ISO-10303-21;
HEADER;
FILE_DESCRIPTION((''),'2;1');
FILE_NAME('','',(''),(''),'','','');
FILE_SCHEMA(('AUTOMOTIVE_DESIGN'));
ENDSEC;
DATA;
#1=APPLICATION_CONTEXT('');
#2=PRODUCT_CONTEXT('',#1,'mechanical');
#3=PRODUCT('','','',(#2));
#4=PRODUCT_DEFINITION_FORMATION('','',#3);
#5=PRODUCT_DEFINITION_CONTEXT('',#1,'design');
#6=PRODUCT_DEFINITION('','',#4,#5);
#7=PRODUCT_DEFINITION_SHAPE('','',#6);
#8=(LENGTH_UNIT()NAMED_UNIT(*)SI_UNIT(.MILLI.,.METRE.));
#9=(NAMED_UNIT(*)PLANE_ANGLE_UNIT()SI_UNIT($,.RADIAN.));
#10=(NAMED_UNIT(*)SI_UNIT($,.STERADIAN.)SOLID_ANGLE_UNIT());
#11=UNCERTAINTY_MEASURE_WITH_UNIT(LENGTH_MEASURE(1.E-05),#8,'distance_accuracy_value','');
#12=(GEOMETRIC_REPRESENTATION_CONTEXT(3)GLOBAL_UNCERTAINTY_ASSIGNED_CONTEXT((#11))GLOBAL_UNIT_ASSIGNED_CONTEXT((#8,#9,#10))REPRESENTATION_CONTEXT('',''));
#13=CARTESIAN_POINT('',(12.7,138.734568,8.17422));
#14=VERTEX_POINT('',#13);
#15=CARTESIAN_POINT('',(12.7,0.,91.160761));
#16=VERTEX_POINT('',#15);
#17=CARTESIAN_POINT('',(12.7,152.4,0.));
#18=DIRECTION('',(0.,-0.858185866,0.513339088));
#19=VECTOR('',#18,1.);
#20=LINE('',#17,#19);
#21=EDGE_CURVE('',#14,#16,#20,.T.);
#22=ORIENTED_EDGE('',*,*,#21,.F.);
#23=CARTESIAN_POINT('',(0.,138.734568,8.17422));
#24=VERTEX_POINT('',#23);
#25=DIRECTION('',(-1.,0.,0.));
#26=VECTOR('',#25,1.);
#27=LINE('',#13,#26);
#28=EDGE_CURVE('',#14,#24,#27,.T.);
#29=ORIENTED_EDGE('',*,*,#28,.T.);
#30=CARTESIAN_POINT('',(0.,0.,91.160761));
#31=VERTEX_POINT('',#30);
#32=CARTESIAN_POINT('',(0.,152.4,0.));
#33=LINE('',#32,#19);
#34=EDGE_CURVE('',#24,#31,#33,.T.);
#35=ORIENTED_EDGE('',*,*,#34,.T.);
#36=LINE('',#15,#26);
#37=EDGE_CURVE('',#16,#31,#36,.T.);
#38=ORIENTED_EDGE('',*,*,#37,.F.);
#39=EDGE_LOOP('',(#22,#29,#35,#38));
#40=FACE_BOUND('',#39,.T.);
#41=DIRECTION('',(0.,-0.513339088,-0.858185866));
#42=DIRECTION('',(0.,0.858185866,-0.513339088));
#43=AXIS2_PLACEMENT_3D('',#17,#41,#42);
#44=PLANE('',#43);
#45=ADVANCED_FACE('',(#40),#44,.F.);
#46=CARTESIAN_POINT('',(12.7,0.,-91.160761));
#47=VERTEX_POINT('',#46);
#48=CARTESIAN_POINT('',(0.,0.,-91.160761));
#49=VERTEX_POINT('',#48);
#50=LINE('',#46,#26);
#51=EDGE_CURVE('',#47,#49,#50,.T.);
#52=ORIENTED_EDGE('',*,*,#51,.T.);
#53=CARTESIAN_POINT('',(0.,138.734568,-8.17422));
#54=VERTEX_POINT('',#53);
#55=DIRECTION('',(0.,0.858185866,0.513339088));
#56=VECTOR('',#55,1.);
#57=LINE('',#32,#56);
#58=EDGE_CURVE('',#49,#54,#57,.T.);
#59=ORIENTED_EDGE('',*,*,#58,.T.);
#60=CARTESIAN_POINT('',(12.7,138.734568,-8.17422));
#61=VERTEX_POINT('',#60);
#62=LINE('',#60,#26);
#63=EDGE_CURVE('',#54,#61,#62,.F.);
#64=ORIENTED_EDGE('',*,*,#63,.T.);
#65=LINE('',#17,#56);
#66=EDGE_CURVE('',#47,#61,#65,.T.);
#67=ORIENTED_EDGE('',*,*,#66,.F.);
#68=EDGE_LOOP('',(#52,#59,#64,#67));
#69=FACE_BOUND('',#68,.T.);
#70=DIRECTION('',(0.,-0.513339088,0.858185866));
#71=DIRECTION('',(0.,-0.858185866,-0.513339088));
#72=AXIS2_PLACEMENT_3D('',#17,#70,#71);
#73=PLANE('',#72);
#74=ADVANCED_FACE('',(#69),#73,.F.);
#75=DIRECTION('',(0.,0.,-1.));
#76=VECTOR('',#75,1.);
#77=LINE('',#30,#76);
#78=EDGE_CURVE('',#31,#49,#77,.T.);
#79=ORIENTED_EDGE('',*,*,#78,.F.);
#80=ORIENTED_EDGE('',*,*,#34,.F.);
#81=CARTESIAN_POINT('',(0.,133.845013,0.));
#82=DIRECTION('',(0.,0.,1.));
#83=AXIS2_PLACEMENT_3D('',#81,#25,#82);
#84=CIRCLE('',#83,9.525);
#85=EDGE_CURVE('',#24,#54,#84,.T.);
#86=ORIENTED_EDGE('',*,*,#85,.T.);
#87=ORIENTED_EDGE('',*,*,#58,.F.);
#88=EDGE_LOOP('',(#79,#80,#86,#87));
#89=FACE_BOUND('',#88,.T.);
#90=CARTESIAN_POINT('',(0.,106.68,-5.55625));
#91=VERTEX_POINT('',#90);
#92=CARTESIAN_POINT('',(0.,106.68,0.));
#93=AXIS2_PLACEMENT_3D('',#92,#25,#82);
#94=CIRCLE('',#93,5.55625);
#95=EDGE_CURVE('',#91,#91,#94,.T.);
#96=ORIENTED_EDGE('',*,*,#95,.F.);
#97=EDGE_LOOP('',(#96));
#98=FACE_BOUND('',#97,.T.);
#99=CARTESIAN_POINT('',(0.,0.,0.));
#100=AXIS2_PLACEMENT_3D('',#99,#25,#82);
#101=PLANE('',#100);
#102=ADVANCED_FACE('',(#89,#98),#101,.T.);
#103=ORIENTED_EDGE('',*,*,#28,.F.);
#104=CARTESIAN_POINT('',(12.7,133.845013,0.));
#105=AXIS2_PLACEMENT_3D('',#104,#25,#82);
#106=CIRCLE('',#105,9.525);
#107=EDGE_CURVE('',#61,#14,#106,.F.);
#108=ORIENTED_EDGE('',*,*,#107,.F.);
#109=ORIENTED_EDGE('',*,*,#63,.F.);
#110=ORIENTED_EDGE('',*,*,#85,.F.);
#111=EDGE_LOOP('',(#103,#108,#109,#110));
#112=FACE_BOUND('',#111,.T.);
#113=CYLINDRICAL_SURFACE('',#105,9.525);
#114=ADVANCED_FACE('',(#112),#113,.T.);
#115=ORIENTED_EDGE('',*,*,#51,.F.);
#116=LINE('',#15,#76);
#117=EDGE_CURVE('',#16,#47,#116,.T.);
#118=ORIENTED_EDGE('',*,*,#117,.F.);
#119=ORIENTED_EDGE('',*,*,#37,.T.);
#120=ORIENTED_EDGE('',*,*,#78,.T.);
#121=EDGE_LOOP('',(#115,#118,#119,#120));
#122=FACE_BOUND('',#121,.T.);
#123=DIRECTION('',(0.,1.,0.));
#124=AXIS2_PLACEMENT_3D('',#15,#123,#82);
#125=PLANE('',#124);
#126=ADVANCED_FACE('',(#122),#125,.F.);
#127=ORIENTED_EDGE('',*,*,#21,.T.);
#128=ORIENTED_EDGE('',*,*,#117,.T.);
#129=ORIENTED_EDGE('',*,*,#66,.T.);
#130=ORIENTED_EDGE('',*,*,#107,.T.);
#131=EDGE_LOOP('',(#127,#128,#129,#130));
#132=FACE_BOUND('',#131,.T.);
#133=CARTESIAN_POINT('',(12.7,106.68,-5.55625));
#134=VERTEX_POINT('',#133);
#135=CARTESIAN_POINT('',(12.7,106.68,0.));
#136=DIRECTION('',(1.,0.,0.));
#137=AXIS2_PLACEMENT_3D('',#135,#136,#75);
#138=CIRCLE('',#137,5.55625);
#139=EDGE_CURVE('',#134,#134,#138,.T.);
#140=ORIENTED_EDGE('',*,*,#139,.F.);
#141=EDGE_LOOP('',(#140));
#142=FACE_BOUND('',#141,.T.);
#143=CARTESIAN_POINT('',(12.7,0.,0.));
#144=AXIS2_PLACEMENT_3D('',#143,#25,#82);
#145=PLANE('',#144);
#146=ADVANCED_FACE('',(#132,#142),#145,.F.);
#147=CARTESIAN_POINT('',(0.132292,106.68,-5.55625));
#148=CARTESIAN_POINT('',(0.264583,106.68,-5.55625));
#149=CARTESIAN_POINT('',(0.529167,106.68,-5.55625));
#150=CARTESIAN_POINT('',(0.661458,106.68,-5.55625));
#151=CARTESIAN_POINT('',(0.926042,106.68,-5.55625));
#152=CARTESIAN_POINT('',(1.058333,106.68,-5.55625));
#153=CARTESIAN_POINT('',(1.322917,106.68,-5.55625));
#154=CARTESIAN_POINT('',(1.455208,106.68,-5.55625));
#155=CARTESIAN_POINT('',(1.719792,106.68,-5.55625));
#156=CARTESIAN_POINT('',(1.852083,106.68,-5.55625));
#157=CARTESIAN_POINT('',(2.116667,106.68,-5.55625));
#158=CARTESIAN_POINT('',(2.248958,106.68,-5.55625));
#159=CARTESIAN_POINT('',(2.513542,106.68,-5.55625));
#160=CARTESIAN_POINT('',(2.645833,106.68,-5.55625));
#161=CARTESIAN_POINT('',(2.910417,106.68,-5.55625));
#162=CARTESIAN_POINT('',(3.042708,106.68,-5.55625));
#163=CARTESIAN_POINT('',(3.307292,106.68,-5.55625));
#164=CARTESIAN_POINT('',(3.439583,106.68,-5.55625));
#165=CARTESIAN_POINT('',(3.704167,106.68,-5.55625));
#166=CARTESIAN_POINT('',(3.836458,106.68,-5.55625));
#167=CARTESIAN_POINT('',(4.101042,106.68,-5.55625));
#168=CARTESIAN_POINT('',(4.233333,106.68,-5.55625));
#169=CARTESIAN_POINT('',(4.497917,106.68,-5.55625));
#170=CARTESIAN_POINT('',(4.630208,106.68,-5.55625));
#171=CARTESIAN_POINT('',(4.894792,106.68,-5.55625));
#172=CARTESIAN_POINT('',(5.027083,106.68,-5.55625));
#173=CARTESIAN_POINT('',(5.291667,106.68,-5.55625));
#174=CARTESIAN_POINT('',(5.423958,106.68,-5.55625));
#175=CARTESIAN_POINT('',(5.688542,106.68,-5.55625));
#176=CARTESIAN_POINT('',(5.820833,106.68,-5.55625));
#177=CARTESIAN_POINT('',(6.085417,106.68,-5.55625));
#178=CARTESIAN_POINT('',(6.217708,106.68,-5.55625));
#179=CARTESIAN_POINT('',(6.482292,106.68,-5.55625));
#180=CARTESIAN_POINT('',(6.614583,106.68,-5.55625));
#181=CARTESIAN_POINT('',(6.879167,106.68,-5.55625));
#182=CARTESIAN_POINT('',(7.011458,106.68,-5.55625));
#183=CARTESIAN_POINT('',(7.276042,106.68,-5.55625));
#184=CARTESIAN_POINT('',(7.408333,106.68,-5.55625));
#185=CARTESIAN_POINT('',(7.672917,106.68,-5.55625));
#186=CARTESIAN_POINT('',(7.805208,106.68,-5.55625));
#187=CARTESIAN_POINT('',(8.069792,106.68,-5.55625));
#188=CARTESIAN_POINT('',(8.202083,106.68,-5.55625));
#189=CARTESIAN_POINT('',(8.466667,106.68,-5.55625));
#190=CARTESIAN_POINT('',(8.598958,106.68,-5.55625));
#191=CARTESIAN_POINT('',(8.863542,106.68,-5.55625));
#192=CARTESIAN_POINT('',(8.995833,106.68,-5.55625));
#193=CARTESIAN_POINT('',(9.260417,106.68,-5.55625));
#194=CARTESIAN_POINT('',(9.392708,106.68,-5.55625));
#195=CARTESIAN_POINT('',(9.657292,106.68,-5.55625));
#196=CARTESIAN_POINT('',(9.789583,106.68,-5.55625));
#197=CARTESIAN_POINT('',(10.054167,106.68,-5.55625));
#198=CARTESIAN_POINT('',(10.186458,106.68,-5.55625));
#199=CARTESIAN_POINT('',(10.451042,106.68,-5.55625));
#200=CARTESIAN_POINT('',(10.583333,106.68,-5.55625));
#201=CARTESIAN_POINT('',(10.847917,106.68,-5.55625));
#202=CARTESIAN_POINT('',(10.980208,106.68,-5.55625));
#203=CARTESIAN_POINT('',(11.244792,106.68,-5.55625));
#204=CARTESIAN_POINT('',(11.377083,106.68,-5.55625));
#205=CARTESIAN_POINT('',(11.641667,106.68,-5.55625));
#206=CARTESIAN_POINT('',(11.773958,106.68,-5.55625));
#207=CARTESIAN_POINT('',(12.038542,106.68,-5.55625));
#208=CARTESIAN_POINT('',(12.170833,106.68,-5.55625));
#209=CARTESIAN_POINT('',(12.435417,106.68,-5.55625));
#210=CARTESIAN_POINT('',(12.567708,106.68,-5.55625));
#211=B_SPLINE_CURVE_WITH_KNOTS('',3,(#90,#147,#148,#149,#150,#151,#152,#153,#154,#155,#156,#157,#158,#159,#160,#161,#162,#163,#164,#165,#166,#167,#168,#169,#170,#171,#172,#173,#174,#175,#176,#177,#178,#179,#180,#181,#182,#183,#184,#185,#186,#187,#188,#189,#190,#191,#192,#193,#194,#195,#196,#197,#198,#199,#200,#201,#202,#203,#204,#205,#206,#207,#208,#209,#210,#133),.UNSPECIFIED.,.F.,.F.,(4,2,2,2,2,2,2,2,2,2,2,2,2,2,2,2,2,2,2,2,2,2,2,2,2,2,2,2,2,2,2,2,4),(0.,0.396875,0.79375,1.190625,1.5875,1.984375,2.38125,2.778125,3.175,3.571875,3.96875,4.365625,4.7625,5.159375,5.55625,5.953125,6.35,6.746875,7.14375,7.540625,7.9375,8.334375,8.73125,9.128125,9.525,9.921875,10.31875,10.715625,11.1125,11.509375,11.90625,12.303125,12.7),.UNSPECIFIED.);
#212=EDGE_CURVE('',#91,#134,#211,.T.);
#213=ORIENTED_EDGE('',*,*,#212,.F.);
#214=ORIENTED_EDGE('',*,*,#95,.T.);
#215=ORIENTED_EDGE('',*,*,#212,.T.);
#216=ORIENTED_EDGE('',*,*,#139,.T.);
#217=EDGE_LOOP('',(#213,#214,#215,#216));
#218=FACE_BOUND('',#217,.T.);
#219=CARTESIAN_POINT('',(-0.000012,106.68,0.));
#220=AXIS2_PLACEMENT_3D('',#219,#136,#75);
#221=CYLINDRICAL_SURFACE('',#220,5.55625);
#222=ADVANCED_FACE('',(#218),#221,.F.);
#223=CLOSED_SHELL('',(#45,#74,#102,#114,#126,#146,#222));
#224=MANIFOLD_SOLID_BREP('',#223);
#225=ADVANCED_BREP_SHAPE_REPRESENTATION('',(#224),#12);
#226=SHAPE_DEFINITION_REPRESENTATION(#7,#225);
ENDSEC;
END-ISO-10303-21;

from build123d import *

# Parameters (mm, degrees)
BOSS_EXTRUDE1_DEPTH     = 12.7
FILLET1_R               = 9.525
CUT_EXTRUDE3_DEPTH      = 171.371755619
CUT_EXTRUDE3_DEPTH_BACK = 171.371755619
SKETCH2_R               = 5.55625


with BuildPart() as part:
    # Sketch1 → Boss-Extrude1 (new body)
    with BuildSketch(Plane(origin=(0, 0, 0), x_dir=(0, 0, -1), z_dir=(1, 0, 0))):
        Polygon((0, 152.4), (-91.160761442, 0), (91.160761442, 0), align=None)
    extrude(amount=BOSS_EXTRUDE1_DEPTH)

    # Fillet1
    fillet1_edges = [part.edges().sort_by_distance(p)[0] for p in [
        (6.35, 152.4, 0),
    ]]
    fillet(fillet1_edges, radius=FILLET1_R)

    # Sketch2 → Cut-Extrude3 (cut, two sides: drawn at the far end of the back side and taken through both)
    with BuildSketch(Plane(origin=(0, 0, 0), x_dir=(0, 0, -1), z_dir=(1, 0, 0)).offset(-CUT_EXTRUDE3_DEPTH_BACK)):
        with Locations((0, 106.68)):
            Circle(SKETCH2_R)
    extrude(amount=CUT_EXTRUDE3_DEPTH + CUT_EXTRUDE3_DEPTH_BACK, mode=Mode.SUBTRACT)


solid = part.part
